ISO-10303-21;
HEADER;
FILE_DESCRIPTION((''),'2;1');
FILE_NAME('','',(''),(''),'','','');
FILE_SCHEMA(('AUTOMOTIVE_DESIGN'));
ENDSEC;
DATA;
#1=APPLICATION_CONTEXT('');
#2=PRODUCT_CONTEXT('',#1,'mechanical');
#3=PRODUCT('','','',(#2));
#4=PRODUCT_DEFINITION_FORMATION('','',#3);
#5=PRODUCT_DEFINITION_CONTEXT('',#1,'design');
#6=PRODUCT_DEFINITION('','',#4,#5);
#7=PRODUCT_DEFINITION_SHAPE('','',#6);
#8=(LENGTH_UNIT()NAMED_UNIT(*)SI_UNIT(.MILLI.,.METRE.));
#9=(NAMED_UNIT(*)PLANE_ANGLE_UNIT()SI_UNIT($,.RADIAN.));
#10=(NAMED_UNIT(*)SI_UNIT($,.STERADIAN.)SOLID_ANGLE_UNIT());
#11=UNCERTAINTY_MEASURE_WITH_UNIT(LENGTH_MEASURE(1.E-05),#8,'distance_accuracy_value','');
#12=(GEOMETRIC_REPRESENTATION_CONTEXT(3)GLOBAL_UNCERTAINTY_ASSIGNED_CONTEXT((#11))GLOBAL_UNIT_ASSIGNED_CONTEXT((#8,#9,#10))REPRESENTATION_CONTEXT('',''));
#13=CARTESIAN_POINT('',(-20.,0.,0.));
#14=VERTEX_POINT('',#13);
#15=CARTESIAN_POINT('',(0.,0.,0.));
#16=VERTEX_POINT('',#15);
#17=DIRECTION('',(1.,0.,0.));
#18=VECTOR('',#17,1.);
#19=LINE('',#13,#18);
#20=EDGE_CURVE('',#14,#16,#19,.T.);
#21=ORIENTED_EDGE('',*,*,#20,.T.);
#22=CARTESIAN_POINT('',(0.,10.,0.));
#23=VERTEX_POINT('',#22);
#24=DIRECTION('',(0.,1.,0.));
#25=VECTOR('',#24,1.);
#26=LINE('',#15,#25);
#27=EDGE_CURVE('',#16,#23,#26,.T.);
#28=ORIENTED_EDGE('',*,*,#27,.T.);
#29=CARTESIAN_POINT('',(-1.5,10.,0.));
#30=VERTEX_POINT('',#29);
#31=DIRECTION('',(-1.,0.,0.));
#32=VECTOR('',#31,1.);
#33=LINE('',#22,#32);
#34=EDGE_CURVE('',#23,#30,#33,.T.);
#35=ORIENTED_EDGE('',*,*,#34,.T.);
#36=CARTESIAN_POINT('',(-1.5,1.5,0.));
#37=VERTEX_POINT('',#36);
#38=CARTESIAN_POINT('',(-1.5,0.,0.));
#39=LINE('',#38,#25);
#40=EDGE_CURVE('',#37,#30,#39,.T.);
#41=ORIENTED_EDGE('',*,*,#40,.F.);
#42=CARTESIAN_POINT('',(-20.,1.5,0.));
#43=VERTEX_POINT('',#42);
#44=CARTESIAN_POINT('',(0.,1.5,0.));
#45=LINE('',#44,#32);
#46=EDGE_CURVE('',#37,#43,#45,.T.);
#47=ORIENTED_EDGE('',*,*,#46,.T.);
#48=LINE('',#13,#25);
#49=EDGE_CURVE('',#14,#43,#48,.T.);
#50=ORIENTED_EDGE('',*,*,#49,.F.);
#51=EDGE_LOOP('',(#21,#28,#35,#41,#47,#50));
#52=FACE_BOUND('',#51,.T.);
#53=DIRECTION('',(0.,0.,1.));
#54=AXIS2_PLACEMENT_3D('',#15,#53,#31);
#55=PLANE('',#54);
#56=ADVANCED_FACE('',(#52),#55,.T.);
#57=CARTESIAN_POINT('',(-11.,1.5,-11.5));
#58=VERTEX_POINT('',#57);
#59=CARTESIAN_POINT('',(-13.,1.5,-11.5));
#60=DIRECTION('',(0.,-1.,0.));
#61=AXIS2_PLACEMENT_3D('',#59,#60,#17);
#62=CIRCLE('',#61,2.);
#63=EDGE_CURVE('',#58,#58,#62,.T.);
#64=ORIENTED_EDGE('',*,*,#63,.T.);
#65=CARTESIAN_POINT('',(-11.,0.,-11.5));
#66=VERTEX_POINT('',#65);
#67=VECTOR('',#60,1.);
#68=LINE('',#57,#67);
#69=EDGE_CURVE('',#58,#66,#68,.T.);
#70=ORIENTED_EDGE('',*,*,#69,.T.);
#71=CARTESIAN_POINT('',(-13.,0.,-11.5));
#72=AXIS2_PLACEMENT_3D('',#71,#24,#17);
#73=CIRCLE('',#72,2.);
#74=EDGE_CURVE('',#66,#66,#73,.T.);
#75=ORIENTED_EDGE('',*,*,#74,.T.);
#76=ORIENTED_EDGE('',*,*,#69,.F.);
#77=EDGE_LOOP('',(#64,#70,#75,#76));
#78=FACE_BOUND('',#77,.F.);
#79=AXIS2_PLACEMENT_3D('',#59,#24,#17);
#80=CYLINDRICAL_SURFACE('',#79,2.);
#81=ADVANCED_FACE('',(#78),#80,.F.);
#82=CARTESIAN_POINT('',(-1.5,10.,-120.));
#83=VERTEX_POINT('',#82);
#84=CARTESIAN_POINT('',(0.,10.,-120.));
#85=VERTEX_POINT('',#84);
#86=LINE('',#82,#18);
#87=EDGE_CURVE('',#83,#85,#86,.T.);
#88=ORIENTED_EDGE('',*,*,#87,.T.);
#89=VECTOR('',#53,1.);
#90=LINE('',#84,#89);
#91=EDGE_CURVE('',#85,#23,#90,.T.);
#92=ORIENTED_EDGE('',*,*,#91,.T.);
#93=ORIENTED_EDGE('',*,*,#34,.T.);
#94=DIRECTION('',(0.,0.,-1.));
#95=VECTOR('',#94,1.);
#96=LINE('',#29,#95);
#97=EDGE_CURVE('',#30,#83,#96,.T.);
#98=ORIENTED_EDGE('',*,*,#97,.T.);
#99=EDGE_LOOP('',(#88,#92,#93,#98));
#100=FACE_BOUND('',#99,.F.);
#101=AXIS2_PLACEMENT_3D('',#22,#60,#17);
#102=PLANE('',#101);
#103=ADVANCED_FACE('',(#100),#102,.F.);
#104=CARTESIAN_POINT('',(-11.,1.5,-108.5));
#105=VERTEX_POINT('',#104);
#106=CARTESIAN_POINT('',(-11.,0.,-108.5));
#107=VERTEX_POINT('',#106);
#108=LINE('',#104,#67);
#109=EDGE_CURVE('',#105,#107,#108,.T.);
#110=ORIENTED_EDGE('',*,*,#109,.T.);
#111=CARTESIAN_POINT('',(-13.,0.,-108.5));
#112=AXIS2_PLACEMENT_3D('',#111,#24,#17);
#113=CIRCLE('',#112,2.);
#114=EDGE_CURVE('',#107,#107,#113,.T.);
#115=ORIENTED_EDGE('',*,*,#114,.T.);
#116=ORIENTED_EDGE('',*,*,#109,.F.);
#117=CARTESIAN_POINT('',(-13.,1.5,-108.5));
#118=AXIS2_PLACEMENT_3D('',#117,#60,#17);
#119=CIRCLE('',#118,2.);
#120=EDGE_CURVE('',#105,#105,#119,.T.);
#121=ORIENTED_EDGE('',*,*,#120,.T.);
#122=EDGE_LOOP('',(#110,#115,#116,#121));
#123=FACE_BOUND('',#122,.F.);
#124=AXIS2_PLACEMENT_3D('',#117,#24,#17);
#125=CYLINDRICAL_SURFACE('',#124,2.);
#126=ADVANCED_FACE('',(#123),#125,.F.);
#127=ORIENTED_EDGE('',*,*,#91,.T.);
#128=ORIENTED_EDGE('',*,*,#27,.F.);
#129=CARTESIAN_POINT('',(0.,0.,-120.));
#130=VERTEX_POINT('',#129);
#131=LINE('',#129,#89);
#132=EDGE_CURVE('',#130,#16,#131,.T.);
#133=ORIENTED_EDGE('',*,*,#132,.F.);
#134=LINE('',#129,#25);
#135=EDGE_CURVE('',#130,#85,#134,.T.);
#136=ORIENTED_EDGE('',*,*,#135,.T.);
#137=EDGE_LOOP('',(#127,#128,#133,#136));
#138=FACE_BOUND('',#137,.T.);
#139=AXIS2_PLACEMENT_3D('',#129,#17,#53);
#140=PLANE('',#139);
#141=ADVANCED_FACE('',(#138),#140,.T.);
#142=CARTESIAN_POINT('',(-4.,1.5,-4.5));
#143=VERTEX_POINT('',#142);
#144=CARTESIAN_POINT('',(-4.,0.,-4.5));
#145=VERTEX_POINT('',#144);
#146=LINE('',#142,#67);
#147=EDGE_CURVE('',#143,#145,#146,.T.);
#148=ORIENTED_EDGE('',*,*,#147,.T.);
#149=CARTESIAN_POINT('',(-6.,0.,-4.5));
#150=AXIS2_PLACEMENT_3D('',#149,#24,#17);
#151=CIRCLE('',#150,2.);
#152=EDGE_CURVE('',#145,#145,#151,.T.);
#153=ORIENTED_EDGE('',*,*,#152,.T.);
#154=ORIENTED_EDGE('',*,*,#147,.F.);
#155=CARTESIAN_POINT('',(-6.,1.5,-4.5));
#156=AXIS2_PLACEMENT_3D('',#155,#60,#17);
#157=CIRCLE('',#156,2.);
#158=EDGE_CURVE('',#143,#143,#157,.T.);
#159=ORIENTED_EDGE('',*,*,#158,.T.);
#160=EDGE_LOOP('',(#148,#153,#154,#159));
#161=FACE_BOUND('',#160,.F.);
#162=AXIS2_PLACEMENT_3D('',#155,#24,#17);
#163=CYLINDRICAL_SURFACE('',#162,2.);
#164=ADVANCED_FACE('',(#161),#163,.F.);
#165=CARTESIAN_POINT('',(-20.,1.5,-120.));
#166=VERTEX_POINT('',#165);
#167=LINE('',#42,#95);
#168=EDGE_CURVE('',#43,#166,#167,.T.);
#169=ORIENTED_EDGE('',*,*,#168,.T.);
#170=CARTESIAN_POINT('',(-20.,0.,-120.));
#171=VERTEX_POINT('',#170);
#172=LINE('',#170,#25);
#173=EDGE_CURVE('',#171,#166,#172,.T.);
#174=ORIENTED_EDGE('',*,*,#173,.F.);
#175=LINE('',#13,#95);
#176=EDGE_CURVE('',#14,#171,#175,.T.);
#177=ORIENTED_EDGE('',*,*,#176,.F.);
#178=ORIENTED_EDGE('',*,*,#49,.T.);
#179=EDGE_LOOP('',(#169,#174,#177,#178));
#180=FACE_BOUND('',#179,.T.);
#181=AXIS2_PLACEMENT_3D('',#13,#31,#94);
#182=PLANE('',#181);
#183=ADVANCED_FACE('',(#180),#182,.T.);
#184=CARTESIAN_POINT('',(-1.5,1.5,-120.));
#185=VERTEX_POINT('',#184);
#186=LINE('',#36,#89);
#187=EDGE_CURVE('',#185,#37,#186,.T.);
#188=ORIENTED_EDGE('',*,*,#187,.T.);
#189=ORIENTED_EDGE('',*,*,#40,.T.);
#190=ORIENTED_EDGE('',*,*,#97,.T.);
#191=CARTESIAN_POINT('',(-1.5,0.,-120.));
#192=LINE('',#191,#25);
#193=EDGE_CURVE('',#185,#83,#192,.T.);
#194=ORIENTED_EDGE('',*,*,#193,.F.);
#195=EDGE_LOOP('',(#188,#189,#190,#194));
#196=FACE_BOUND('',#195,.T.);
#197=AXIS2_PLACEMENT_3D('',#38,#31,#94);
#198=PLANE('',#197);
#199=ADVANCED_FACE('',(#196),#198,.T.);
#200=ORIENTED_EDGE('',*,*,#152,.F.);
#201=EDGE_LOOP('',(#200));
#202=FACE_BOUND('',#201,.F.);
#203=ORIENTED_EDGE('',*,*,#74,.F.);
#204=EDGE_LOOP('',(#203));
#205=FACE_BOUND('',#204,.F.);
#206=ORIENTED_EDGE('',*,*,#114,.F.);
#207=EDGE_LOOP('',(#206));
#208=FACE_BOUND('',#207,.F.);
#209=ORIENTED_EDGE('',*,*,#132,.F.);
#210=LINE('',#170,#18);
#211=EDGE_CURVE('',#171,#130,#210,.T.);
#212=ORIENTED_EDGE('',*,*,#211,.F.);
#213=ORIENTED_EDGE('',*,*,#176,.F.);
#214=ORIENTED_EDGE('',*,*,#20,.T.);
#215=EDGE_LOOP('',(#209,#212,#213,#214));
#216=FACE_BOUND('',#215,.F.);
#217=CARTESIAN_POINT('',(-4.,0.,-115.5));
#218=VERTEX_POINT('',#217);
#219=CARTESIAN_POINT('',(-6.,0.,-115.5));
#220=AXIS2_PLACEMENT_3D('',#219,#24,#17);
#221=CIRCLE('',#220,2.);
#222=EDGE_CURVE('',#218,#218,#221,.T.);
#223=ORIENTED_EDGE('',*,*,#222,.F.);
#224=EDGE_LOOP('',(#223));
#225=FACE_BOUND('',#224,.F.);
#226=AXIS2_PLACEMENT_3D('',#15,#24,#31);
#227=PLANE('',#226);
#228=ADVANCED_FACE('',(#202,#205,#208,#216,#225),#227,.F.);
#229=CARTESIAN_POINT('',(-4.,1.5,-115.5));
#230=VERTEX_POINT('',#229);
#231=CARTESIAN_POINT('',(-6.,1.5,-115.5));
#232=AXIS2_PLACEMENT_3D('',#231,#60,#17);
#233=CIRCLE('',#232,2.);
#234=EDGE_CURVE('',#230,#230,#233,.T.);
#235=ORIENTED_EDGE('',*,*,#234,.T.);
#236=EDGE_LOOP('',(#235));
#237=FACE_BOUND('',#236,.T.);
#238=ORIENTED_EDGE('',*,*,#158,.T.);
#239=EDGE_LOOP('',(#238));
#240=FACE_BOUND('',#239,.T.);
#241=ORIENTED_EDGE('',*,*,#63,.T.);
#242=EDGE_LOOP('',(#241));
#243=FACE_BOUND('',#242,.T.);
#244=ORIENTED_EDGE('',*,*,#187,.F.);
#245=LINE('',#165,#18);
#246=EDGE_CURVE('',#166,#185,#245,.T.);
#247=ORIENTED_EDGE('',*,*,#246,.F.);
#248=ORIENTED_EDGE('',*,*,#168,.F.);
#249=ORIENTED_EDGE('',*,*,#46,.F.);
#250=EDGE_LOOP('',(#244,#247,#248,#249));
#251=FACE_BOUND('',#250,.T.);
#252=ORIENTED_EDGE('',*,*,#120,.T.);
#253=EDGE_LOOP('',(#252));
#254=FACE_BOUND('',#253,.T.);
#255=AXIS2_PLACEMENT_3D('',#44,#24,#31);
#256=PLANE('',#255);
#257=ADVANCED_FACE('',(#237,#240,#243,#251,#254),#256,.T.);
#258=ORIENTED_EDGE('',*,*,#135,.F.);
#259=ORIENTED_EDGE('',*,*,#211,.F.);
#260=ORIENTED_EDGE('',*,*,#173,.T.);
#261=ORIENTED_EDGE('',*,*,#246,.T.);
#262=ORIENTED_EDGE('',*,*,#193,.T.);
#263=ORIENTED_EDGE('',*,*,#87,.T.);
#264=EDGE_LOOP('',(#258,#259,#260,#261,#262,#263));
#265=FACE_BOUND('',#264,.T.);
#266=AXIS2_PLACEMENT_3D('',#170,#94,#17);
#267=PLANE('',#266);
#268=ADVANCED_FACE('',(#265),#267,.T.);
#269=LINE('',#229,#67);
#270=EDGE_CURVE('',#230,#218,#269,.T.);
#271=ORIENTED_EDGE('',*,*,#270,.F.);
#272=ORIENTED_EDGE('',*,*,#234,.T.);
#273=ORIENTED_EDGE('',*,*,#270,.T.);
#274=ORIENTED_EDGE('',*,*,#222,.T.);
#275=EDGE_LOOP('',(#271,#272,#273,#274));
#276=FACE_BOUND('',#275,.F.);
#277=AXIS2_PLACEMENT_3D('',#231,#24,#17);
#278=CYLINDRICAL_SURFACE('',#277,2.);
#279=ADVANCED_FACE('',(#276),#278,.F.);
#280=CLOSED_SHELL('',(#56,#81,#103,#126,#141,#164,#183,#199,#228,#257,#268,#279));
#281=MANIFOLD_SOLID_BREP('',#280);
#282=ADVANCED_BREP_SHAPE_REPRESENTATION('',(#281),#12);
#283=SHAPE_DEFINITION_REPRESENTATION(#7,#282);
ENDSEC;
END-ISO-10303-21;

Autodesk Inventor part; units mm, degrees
ref_plane "YZ Plane" through (0, 0, 0) normal (1, 0, 0) x (0, 1, 0)
ref_plane "XZ Plane" through (0, 0, 0) normal (0, 1, 0) x (-1, 0, 0)
ref_plane "XY Plane" through (0, 0, 0) normal (0, 0, 1) x (1, 0, 0)
sketch "Sketch1" plane through (0, 0, 0) normal (0, 1, 0) x (-1, 0, 0)
  line L0 (0, 0) -> (20, 0)
  line L1 (20, 0) -> (20, -120)
  line L2 (20, -120) -> (0, -120)
  line L3 (0, -120) -> (0, 0)
  dimension "d0" = 20
  dimension "d1" = 120
extrude "Extrusion1" add sketch "Sketch1" along normal blind 1.5
sketch "Sketch2" plane through (0, 0, 0) normal (0, -1, 0) x (1, 0, 0)
  line L0 (0, 0) -> (-1.5, 0)
  line L1 (-1.5, 0) -> (-1.5, -120)
  line L2 (-1.5, -120) -> (0, -120)
  line L3 (0, -120) -> (0, 0)
  dimension "d4" = 1.5
  dimension "d5" = 120
extrude "Extrusion2" add sketch "Sketch2" against normal blind 10
sketch "Sketch3" plane through (0, 1.5, 0) normal (0, 1, 0) x (1, 0, 0)
  line L0 (-20, 120) -> (-20, 0) projected
  line L1 (-20, 120) -> (-1.5, 120)
  line L2 (-1.5, 120) -> (-1.5, 101.5)
  line L3 (-1.5, 101.5) -> (-20, 101.5)
  line L4 (-20, 101.5) -> (-20, 120)
  line L5 (-20, 0) -> (-1.5, 0)
  line L6 (-1.5, 0) -> (-1.5, 18.5)
  line L7 (-1.5, 18.5) -> (-20, 18.5)
  line L8 (-20, 18.5) -> (-20, 0)
  line L9 (-20, 101.5) -> (-13, 101.5)
  line L10 (-13, 101.5) -> (-13, 108.5)
  line L11 (-13, 108.5) -> (-20, 108.5)
  line L12 (-20, 108.5) -> (-20, 101.5)
  line L13 (-20, 101.5) -> (-6, 101.5)
  line L14 (-6, 101.5) -> (-6, 115.5)
  line L15 (-6, 115.5) -> (-20, 115.5)
  line L16 (-20, 115.5) -> (-20, 101.5)
  circle A0 centre (-6, 115.5) radius 2
  circle A1 centre (-13, 108.5) radius 2
  line L17 (-20, 18.5) -> (-13, 18.5)
  line L18 (-13, 18.5) -> (-13, 11.5)
  line L19 (-13, 11.5) -> (-20, 11.5)
  line L20 (-20, 11.5) -> (-20, 18.5)
  line L21 (-20, 18.5) -> (-6, 18.5)
  line L22 (-6, 18.5) -> (-6, 4.5)
  line L23 (-6, 4.5) -> (-20, 4.5)
  line L24 (-20, 4.5) -> (-20, 18.5)
  circle A2 centre (-13, 11.5) radius 2
  circle A3 centre (-6, 4.5) radius 2
  point P0 (0, 0)
  dimension "d8" = 18.5
  dimension "d9" = 18.5
  dimension "d10" = 18.5
  dimension "d11" = 18.5
  dimension "d12" = 7
  dimension "d13" = 7
  dimension "d14" = 14
  dimension "d15" = 14
  dimension "d16" = 4
  dimension "d17" = 4
  dimension "d18" = 7
  dimension "d19" = 7
  dimension "d20" = 14
  dimension "d21" = 14
  dimension "d22" = 4
  dimension "d23" = 4
extrude "Extrusion3" cut sketch "Sketch3" against normal blind 10 contours A0 L14 L15 | L15 L14 A0 | A1 L10 L11 | L11 L10 A1 | A2 L18 L19 | L19 L18 A2 | A3 L22 L23 | L23 L22 A3
properties part number "aluminium_profile_1"
